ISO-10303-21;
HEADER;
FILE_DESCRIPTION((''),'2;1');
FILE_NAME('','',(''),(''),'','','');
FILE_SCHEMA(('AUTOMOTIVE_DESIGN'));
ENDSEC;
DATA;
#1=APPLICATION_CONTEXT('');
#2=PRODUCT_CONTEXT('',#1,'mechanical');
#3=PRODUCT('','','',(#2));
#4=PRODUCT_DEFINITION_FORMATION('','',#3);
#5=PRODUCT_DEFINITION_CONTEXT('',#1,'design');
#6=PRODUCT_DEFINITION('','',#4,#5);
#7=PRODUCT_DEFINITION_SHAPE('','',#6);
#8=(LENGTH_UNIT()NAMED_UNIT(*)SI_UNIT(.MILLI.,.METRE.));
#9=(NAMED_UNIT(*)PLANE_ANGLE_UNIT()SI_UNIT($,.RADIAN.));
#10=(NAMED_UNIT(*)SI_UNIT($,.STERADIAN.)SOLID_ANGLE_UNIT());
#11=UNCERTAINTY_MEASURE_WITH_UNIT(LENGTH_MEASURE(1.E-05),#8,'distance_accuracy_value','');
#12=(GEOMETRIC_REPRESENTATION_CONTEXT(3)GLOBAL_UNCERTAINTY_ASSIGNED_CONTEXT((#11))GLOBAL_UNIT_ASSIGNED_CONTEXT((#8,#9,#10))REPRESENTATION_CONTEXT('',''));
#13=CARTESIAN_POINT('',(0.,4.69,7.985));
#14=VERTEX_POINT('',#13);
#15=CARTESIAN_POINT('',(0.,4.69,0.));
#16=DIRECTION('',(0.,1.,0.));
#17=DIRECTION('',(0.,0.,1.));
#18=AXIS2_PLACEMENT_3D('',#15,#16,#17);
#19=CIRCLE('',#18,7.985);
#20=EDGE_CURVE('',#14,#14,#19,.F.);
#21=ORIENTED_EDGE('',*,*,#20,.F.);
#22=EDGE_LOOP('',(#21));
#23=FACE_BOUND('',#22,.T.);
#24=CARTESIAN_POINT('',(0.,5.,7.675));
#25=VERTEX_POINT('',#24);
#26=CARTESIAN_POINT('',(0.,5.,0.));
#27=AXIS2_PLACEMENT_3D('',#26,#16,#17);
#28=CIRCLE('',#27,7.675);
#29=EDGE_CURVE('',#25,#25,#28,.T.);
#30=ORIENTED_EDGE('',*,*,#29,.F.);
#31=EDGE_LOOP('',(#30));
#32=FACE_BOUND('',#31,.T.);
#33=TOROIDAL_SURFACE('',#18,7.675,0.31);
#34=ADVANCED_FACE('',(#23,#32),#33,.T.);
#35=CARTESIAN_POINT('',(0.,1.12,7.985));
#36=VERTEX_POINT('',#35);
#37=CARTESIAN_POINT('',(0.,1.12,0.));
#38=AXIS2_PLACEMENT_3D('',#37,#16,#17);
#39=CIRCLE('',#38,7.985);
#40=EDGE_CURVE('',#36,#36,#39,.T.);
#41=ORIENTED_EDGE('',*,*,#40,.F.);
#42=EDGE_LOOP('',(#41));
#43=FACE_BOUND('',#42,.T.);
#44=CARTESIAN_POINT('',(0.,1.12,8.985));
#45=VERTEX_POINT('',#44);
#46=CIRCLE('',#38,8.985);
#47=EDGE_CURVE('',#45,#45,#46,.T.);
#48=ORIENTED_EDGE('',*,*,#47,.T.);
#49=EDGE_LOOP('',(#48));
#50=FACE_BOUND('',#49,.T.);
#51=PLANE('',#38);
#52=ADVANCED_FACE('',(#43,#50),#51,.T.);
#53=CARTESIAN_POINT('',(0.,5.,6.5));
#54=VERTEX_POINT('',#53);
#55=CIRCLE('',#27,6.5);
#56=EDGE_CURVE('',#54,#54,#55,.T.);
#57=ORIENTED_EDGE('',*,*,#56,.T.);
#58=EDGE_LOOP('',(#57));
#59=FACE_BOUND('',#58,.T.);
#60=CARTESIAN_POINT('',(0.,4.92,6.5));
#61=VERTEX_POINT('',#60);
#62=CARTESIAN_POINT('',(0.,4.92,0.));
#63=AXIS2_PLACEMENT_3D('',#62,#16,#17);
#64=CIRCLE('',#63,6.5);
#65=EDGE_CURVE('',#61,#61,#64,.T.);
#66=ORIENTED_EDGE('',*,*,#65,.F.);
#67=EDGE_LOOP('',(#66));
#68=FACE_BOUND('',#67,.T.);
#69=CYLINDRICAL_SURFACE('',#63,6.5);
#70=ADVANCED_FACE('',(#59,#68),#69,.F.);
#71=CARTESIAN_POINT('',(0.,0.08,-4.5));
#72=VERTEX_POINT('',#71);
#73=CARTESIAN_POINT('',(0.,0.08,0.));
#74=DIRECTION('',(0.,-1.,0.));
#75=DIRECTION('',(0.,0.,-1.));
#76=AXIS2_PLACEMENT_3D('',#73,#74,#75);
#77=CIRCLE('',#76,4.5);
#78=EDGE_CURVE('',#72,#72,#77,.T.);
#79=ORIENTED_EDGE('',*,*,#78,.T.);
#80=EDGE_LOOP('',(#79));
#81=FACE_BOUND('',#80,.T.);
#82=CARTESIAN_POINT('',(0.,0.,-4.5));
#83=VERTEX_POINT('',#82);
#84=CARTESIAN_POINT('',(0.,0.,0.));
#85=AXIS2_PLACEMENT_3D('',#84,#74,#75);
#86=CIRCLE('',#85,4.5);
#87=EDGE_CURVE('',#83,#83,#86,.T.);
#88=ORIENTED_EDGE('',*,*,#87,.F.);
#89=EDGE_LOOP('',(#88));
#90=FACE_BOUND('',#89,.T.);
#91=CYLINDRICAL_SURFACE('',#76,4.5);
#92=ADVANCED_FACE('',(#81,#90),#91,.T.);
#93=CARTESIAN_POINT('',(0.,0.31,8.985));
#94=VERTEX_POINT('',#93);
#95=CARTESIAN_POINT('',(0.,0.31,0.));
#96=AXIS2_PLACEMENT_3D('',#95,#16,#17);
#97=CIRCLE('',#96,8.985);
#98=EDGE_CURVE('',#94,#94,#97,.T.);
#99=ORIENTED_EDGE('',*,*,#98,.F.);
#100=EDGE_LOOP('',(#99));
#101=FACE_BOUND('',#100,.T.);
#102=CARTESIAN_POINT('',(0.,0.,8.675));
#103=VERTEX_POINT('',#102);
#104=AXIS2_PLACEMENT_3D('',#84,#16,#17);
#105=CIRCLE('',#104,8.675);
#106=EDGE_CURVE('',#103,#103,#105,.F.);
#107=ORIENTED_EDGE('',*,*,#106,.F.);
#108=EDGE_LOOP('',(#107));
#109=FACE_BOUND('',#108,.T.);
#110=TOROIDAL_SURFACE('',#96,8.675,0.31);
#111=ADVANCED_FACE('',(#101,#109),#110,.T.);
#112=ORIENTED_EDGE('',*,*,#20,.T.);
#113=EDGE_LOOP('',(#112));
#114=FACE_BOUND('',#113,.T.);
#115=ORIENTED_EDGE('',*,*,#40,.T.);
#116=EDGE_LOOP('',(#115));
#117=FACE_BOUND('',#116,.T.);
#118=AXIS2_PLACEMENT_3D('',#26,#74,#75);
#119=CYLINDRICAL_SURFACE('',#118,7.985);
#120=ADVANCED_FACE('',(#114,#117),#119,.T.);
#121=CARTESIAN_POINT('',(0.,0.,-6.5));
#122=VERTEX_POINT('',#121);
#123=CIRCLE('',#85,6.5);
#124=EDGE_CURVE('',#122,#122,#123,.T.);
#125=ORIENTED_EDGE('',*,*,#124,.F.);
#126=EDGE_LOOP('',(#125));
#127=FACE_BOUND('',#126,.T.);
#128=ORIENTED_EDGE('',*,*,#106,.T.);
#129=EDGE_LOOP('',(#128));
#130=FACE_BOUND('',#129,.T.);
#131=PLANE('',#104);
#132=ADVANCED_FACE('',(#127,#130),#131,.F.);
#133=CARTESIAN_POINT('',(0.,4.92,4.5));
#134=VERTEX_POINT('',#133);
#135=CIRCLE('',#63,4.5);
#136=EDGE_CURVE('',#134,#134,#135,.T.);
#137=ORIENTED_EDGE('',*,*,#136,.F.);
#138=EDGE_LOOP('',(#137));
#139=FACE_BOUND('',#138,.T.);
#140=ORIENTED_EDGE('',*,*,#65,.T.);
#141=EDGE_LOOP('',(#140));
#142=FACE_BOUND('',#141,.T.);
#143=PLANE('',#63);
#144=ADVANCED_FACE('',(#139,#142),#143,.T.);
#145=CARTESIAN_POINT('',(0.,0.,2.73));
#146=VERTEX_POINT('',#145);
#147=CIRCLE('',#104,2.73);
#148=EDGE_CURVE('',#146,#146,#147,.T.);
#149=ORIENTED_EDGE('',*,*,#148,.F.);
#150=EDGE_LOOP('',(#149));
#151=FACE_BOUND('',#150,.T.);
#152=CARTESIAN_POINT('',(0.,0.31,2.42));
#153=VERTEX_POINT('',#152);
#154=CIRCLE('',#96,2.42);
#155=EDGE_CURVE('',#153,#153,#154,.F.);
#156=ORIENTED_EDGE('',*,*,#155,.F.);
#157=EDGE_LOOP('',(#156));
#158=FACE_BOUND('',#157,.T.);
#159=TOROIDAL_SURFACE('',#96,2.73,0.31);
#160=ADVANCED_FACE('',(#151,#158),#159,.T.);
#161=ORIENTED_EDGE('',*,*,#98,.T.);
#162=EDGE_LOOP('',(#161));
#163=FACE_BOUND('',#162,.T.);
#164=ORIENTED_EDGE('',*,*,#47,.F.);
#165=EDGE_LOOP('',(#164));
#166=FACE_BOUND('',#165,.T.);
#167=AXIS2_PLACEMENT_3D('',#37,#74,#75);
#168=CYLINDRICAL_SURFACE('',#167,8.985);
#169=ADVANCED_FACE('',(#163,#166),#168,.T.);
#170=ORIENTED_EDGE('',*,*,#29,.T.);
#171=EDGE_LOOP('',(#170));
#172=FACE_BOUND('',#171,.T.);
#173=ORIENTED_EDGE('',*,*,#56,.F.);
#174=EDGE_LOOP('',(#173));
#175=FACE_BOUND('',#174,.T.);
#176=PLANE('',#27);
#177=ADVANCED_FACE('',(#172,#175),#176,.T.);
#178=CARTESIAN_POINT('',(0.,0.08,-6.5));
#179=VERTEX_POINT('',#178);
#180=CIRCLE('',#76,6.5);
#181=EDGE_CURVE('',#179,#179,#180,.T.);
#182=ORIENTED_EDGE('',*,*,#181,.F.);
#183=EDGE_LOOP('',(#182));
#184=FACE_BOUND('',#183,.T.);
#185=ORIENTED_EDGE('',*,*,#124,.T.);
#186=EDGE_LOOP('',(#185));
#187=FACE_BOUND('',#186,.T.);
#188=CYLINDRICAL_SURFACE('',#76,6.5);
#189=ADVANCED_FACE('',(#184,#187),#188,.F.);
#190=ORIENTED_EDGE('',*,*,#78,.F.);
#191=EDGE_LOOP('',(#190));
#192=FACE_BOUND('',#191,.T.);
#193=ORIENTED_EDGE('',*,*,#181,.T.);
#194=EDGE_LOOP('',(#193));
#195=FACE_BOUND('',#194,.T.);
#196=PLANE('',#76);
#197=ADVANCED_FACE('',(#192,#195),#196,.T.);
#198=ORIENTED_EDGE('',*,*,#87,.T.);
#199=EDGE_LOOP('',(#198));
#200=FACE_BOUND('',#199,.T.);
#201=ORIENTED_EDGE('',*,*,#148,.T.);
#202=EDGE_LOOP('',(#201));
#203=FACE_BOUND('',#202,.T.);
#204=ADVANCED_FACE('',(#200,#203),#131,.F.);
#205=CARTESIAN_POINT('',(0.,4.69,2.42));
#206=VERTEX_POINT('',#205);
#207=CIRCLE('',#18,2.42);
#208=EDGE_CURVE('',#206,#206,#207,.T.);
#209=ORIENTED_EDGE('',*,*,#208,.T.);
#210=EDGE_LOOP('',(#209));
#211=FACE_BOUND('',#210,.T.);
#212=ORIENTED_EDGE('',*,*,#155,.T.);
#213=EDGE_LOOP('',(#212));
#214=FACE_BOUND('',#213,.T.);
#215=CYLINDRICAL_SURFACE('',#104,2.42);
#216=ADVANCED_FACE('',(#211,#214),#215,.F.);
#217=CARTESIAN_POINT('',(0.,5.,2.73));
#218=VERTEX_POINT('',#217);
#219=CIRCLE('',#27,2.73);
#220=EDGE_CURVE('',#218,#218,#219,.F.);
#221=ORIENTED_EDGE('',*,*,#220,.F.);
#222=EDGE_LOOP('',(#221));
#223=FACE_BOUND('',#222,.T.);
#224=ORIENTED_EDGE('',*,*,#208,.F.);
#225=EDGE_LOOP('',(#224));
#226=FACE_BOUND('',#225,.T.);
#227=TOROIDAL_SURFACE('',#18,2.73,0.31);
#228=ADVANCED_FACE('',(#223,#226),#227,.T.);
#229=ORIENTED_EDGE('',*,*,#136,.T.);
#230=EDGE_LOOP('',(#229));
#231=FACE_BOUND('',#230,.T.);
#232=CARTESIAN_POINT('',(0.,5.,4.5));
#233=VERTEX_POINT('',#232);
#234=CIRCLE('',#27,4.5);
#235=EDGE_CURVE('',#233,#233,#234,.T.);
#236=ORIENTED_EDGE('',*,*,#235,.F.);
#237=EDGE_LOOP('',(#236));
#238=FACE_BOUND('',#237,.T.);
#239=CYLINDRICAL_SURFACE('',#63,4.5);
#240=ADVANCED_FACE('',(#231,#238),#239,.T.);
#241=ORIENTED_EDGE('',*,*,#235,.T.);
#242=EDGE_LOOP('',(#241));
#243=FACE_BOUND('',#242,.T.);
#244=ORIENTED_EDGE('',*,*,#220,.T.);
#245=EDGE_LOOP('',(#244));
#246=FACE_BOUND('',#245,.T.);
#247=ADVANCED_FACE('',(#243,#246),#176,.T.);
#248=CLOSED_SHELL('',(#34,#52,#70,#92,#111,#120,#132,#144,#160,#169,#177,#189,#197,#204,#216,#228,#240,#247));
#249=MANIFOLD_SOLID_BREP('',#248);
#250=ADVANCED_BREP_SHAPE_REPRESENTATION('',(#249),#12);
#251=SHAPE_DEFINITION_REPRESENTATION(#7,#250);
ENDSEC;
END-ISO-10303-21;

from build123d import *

# Parameters (mm, degrees)
SKETCH1_R           = 8.985
BOSS_EXTRUDE1_DEPTH = 1.12
SKETCH2_R           = 7.985
BOSS_EXTRUDE2_DEPTH = 3.88
SKETCH3_R           = 2.42
CUT_EXTRUDE1_DEPTH  = 6
SKETCH4_R           = 6.5
SKETCH4_R_2         = 4.5
CUT_EXTRUDE2_DEPTH  = 0.08
SKETCH5_R           = 6.5
SKETCH5_R_2         = 4.5
CUT_EXTRUDE3_DEPTH  = 0.08
FILLET1_R           = 0.31


with BuildPart() as part:
    # Sketch1 → Boss-Extrude1 (new body)
    with BuildSketch(Plane(origin=(0, 0, 0), x_dir=(1, 0, 0), z_dir=(0, 1, 0))):
        Circle(SKETCH1_R)
    extrude(amount=BOSS_EXTRUDE1_DEPTH)

    # Sketch2 → Boss-Extrude2 (add)
    with BuildSketch(Plane(origin=(0, 1.12, 0), x_dir=(1, 0, 0), z_dir=(0, 1, 0))):
        Circle(SKETCH2_R)
    extrude(amount=BOSS_EXTRUDE2_DEPTH)

    # Sketch3 → Cut-Extrude1 (cut, through all)
    with BuildSketch(Plane(origin=(0, 5, 0), x_dir=(1, 0, 0), z_dir=(0, 1, 0))):
        Circle(SKETCH3_R)
    extrude(amount=-CUT_EXTRUDE1_DEPTH, mode=Mode.SUBTRACT)

    # Sketch4 → Cut-Extrude2 (cut)
    with BuildSketch(Plane.XZ):
        Circle(SKETCH4_R)
        Circle(SKETCH4_R_2, mode=Mode.SUBTRACT)
    extrude(amount=-CUT_EXTRUDE2_DEPTH, mode=Mode.SUBTRACT)

    # Sketch5 → Cut-Extrude3 (cut)
    with BuildSketch(Plane(origin=(0, 5, 0), x_dir=(1, 0, 0), z_dir=(0, 1, 0))):
        Circle(SKETCH5_R)
        Circle(SKETCH5_R_2, mode=Mode.SUBTRACT)
    extrude(amount=-CUT_EXTRUDE3_DEPTH, mode=Mode.SUBTRACT)

    # Fillet1
    fillet1_edges = [part.edges().sort_by_distance(p)[0] for p in [
        (-2.42, 0, 0),
        (-2.42, 5, 0),
        (-8.985, 0, 0),
        (-7.985, 5, 0),
    ]]
    fillet(fillet1_edges, radius=FILLET1_R)


solid = part.part
